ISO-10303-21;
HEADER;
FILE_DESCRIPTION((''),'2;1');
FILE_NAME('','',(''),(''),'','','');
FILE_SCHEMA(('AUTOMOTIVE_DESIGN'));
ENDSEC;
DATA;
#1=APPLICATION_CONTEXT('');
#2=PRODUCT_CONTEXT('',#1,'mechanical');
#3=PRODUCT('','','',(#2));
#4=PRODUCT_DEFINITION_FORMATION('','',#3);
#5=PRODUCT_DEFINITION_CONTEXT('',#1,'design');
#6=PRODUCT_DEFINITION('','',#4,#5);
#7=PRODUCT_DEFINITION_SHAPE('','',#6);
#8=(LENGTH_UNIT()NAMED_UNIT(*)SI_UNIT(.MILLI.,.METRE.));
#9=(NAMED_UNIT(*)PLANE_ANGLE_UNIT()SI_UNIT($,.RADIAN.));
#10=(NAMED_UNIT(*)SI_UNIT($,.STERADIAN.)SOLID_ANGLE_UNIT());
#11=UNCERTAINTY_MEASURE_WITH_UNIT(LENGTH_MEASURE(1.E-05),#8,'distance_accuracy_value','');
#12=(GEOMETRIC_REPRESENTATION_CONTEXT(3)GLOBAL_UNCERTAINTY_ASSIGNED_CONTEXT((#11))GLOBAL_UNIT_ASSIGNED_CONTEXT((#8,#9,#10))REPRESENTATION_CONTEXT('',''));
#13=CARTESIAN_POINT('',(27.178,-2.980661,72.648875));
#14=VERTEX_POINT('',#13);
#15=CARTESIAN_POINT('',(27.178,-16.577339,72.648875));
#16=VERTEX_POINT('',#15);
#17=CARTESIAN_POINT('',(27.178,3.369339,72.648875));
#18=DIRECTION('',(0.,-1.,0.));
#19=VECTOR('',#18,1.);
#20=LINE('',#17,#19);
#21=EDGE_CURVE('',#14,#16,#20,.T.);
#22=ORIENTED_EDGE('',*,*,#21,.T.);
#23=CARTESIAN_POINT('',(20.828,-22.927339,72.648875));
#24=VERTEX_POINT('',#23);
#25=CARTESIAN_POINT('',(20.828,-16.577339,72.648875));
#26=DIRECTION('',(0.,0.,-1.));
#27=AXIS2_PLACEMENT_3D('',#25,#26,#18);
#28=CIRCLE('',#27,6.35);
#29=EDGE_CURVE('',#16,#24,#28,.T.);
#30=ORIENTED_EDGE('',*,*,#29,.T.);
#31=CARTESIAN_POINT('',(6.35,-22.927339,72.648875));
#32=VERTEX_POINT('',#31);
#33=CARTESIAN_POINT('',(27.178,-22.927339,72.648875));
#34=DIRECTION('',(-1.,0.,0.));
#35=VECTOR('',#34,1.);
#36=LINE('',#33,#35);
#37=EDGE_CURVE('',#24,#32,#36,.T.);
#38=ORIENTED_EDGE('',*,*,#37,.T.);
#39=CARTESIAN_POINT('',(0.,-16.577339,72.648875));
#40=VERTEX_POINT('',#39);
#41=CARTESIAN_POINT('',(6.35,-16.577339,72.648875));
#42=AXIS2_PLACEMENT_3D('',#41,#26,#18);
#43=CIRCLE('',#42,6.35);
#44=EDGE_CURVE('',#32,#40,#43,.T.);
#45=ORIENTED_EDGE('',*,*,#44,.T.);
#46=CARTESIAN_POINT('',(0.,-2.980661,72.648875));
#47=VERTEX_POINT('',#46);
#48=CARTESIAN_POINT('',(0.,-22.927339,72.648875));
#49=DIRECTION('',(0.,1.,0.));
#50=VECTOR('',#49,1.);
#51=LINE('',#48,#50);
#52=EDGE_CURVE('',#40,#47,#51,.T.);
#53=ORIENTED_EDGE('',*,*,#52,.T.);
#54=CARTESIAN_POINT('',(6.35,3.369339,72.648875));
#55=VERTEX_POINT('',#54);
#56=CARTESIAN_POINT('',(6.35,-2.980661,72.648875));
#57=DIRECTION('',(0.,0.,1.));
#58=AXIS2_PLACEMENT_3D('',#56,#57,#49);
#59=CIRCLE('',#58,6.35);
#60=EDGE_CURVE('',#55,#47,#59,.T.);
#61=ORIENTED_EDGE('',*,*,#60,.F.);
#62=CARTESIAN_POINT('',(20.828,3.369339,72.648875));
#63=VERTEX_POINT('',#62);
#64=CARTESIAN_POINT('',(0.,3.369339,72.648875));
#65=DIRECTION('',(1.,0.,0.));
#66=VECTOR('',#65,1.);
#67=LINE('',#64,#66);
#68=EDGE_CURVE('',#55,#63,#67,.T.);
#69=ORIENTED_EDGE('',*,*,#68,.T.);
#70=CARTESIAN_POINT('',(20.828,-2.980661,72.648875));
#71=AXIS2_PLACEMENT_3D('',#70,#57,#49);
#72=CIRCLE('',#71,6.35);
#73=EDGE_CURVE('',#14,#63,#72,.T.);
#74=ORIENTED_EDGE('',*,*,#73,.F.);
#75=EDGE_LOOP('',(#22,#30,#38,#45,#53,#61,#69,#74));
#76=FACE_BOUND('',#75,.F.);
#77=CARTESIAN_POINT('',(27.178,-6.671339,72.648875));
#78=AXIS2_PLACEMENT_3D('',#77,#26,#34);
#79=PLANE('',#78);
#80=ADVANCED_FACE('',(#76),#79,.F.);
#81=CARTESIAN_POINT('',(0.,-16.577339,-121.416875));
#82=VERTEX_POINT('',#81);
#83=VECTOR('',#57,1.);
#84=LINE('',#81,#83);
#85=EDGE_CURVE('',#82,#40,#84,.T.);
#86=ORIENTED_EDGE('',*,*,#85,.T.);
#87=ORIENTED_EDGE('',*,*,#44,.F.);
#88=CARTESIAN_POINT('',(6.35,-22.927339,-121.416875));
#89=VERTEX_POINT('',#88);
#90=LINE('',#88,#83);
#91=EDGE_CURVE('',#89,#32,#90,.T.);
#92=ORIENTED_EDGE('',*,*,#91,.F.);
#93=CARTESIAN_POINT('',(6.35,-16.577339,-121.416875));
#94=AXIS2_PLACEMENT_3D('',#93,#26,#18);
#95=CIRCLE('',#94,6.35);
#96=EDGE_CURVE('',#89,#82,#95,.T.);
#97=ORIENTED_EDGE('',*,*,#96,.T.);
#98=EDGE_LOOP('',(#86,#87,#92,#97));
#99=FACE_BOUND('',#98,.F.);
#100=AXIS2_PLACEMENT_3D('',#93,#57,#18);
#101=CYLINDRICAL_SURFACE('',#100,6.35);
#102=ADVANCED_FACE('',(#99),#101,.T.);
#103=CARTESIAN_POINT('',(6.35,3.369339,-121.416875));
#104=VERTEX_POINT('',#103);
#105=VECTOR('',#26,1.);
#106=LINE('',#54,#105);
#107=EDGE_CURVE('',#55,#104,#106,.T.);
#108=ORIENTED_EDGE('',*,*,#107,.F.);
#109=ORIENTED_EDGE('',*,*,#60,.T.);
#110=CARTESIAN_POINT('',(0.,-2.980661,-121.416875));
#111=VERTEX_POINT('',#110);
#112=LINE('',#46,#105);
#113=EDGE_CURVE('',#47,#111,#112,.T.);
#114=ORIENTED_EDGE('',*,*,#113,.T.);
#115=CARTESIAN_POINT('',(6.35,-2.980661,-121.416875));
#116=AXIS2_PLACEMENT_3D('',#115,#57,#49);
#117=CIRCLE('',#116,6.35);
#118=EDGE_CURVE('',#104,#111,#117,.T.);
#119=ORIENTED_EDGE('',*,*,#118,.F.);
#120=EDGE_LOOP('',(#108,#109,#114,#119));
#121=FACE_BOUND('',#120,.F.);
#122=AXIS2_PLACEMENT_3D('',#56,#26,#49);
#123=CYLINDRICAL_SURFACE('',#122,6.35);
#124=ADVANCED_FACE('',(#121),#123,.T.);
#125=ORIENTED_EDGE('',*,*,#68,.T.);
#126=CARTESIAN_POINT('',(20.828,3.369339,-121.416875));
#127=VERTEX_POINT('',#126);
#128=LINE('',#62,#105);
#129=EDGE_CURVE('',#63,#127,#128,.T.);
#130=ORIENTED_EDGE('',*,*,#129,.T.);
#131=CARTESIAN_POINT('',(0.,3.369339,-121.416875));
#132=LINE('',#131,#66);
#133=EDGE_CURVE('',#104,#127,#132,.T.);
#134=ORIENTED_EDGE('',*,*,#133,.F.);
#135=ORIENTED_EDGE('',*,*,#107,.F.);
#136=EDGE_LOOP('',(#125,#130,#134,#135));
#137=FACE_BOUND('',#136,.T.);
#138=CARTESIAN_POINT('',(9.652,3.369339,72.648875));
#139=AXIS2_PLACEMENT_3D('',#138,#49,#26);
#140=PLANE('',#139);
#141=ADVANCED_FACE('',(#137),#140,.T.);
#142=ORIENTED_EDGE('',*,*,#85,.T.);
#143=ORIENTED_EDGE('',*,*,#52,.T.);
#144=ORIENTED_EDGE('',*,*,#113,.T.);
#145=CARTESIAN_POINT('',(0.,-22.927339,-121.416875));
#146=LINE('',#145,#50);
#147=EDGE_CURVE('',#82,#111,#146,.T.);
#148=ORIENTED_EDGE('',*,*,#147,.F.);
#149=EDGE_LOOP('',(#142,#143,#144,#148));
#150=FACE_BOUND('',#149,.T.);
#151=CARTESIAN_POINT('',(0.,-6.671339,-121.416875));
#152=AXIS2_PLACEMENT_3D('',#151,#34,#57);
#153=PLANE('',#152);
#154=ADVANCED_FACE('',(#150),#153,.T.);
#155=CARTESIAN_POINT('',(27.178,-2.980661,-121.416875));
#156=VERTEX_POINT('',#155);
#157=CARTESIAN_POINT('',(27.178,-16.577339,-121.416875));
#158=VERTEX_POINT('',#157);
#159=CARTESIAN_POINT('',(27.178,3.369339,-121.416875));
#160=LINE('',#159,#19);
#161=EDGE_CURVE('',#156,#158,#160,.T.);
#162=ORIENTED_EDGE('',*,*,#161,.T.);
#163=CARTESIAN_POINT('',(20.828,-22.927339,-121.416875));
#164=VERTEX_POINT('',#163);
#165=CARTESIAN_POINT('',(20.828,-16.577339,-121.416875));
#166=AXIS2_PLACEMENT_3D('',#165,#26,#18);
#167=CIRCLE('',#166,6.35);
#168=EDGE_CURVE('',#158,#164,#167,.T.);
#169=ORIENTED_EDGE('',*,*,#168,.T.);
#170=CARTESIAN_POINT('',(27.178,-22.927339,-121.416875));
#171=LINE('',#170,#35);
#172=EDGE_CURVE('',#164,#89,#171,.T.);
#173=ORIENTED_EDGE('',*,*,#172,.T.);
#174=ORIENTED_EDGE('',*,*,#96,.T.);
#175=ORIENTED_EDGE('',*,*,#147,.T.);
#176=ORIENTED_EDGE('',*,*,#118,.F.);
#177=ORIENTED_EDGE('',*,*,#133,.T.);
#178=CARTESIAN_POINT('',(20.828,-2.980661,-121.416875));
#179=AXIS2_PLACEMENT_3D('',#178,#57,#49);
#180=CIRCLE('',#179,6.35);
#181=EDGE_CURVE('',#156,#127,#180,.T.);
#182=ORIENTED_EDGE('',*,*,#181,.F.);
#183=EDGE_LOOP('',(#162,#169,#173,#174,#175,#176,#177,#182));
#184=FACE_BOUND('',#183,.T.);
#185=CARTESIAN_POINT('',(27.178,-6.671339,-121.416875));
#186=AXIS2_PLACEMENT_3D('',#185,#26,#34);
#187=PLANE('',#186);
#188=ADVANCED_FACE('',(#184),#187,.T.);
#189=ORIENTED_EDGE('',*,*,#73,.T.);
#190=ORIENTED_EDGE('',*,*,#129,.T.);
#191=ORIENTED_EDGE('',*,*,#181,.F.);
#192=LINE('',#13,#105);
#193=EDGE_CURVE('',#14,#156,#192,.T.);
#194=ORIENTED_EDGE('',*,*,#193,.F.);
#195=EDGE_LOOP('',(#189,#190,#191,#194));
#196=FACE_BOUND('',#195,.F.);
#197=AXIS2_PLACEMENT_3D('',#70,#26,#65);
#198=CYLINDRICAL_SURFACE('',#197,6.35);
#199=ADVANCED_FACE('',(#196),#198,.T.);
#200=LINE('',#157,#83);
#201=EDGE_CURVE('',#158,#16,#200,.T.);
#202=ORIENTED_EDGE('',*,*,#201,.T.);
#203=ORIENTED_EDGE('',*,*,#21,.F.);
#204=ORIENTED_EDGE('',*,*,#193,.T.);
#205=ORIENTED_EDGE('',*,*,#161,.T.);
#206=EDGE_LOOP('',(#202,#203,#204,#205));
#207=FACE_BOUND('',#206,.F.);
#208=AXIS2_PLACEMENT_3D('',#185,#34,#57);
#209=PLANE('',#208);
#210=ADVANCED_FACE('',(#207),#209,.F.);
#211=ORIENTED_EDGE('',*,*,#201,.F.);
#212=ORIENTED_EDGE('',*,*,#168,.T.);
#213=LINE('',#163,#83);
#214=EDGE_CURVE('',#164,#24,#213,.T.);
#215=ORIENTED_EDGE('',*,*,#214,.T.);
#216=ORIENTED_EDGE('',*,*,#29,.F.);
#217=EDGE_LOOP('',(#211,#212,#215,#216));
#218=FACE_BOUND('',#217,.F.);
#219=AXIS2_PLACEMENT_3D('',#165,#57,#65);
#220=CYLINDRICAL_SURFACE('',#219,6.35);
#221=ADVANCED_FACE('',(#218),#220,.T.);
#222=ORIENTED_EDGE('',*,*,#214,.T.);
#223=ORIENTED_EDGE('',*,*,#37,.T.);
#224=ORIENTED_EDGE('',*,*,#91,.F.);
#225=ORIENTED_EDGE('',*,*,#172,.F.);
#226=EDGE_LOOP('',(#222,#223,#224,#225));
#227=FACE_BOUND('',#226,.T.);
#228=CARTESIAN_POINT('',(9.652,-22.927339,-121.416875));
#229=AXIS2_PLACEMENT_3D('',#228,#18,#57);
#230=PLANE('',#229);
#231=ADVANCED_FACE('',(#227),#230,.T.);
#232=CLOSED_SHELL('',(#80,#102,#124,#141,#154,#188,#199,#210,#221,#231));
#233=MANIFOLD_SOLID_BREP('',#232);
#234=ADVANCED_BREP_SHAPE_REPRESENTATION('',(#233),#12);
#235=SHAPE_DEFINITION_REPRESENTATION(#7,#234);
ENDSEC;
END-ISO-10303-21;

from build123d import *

# Parameters (mm, degrees)
F0_W     = 6.7386771552
F0_H     = 145.2977508307
F1_DEPTH = 9.652
F2_DEPTH = 3.302
F3_DEPTH = 48.768
F4_DEPTH = 17.526
F5_DEPTH = 16.256
F6_R     = 6.35
F7_R     = 6.35
F8_R     = 6.35


with BuildPart() as f1:
    # F0 (on Right) → F1 (new body)
    with BuildSketch(Plane.YZ):
        Rectangle(F0_W, F0_H)
    extrude(amount=F1_DEPTH)

    # F2 (add): a face of the model
    f2_faces = [f1.faces().sort_by_distance(p)[0] for p in [
        (4.826, -3.3693385776, 0),
    ]]
    extrude(f2_faces, amount=F2_DEPTH)

    # F3 (add): a face of the model
    f3_faces = [f1.faces().sort_by_distance(p)[0] for p in [
        (4.826, -1.651, -72.6488754153),
    ]]
    extrude(f3_faces, amount=F3_DEPTH)

    # F4 (add): a face of the model
    f4_faces = [f1.faces().sort_by_distance(p)[0] for p in [
        (9.652, -1.651, -24.384),
    ]]
    extrude(f4_faces, amount=F4_DEPTH)

    # F5 (add): a face of the model
    f5_faces = [f1.faces().sort_by_distance(p)[0] for p in [
        (13.589, -6.6713385776, -24.384),
    ]]
    extrude(f5_faces, amount=F5_DEPTH)

    # F6
    f6_edges = [f1.edges().sort_by_distance(p)[0] for p in [
        (27.178, -22.927339, -24.384),
    ]]
    fillet(f6_edges, radius=F6_R)

    # F7
    f7_edges = [f1.edges().sort_by_distance(p)[0] for p in [
        (27.178, 3.369339, -24.384),
    ]]
    fillet(f7_edges, radius=F7_R)

    # F8
    f8_edges = [f1.edges().sort_by_distance(p)[0] for p in [
        (0, -22.927339, -24.384),
        (0, 3.369339, -24.384),
    ]]
    fillet(f8_edges, radius=F8_R)


solid = f1.part
